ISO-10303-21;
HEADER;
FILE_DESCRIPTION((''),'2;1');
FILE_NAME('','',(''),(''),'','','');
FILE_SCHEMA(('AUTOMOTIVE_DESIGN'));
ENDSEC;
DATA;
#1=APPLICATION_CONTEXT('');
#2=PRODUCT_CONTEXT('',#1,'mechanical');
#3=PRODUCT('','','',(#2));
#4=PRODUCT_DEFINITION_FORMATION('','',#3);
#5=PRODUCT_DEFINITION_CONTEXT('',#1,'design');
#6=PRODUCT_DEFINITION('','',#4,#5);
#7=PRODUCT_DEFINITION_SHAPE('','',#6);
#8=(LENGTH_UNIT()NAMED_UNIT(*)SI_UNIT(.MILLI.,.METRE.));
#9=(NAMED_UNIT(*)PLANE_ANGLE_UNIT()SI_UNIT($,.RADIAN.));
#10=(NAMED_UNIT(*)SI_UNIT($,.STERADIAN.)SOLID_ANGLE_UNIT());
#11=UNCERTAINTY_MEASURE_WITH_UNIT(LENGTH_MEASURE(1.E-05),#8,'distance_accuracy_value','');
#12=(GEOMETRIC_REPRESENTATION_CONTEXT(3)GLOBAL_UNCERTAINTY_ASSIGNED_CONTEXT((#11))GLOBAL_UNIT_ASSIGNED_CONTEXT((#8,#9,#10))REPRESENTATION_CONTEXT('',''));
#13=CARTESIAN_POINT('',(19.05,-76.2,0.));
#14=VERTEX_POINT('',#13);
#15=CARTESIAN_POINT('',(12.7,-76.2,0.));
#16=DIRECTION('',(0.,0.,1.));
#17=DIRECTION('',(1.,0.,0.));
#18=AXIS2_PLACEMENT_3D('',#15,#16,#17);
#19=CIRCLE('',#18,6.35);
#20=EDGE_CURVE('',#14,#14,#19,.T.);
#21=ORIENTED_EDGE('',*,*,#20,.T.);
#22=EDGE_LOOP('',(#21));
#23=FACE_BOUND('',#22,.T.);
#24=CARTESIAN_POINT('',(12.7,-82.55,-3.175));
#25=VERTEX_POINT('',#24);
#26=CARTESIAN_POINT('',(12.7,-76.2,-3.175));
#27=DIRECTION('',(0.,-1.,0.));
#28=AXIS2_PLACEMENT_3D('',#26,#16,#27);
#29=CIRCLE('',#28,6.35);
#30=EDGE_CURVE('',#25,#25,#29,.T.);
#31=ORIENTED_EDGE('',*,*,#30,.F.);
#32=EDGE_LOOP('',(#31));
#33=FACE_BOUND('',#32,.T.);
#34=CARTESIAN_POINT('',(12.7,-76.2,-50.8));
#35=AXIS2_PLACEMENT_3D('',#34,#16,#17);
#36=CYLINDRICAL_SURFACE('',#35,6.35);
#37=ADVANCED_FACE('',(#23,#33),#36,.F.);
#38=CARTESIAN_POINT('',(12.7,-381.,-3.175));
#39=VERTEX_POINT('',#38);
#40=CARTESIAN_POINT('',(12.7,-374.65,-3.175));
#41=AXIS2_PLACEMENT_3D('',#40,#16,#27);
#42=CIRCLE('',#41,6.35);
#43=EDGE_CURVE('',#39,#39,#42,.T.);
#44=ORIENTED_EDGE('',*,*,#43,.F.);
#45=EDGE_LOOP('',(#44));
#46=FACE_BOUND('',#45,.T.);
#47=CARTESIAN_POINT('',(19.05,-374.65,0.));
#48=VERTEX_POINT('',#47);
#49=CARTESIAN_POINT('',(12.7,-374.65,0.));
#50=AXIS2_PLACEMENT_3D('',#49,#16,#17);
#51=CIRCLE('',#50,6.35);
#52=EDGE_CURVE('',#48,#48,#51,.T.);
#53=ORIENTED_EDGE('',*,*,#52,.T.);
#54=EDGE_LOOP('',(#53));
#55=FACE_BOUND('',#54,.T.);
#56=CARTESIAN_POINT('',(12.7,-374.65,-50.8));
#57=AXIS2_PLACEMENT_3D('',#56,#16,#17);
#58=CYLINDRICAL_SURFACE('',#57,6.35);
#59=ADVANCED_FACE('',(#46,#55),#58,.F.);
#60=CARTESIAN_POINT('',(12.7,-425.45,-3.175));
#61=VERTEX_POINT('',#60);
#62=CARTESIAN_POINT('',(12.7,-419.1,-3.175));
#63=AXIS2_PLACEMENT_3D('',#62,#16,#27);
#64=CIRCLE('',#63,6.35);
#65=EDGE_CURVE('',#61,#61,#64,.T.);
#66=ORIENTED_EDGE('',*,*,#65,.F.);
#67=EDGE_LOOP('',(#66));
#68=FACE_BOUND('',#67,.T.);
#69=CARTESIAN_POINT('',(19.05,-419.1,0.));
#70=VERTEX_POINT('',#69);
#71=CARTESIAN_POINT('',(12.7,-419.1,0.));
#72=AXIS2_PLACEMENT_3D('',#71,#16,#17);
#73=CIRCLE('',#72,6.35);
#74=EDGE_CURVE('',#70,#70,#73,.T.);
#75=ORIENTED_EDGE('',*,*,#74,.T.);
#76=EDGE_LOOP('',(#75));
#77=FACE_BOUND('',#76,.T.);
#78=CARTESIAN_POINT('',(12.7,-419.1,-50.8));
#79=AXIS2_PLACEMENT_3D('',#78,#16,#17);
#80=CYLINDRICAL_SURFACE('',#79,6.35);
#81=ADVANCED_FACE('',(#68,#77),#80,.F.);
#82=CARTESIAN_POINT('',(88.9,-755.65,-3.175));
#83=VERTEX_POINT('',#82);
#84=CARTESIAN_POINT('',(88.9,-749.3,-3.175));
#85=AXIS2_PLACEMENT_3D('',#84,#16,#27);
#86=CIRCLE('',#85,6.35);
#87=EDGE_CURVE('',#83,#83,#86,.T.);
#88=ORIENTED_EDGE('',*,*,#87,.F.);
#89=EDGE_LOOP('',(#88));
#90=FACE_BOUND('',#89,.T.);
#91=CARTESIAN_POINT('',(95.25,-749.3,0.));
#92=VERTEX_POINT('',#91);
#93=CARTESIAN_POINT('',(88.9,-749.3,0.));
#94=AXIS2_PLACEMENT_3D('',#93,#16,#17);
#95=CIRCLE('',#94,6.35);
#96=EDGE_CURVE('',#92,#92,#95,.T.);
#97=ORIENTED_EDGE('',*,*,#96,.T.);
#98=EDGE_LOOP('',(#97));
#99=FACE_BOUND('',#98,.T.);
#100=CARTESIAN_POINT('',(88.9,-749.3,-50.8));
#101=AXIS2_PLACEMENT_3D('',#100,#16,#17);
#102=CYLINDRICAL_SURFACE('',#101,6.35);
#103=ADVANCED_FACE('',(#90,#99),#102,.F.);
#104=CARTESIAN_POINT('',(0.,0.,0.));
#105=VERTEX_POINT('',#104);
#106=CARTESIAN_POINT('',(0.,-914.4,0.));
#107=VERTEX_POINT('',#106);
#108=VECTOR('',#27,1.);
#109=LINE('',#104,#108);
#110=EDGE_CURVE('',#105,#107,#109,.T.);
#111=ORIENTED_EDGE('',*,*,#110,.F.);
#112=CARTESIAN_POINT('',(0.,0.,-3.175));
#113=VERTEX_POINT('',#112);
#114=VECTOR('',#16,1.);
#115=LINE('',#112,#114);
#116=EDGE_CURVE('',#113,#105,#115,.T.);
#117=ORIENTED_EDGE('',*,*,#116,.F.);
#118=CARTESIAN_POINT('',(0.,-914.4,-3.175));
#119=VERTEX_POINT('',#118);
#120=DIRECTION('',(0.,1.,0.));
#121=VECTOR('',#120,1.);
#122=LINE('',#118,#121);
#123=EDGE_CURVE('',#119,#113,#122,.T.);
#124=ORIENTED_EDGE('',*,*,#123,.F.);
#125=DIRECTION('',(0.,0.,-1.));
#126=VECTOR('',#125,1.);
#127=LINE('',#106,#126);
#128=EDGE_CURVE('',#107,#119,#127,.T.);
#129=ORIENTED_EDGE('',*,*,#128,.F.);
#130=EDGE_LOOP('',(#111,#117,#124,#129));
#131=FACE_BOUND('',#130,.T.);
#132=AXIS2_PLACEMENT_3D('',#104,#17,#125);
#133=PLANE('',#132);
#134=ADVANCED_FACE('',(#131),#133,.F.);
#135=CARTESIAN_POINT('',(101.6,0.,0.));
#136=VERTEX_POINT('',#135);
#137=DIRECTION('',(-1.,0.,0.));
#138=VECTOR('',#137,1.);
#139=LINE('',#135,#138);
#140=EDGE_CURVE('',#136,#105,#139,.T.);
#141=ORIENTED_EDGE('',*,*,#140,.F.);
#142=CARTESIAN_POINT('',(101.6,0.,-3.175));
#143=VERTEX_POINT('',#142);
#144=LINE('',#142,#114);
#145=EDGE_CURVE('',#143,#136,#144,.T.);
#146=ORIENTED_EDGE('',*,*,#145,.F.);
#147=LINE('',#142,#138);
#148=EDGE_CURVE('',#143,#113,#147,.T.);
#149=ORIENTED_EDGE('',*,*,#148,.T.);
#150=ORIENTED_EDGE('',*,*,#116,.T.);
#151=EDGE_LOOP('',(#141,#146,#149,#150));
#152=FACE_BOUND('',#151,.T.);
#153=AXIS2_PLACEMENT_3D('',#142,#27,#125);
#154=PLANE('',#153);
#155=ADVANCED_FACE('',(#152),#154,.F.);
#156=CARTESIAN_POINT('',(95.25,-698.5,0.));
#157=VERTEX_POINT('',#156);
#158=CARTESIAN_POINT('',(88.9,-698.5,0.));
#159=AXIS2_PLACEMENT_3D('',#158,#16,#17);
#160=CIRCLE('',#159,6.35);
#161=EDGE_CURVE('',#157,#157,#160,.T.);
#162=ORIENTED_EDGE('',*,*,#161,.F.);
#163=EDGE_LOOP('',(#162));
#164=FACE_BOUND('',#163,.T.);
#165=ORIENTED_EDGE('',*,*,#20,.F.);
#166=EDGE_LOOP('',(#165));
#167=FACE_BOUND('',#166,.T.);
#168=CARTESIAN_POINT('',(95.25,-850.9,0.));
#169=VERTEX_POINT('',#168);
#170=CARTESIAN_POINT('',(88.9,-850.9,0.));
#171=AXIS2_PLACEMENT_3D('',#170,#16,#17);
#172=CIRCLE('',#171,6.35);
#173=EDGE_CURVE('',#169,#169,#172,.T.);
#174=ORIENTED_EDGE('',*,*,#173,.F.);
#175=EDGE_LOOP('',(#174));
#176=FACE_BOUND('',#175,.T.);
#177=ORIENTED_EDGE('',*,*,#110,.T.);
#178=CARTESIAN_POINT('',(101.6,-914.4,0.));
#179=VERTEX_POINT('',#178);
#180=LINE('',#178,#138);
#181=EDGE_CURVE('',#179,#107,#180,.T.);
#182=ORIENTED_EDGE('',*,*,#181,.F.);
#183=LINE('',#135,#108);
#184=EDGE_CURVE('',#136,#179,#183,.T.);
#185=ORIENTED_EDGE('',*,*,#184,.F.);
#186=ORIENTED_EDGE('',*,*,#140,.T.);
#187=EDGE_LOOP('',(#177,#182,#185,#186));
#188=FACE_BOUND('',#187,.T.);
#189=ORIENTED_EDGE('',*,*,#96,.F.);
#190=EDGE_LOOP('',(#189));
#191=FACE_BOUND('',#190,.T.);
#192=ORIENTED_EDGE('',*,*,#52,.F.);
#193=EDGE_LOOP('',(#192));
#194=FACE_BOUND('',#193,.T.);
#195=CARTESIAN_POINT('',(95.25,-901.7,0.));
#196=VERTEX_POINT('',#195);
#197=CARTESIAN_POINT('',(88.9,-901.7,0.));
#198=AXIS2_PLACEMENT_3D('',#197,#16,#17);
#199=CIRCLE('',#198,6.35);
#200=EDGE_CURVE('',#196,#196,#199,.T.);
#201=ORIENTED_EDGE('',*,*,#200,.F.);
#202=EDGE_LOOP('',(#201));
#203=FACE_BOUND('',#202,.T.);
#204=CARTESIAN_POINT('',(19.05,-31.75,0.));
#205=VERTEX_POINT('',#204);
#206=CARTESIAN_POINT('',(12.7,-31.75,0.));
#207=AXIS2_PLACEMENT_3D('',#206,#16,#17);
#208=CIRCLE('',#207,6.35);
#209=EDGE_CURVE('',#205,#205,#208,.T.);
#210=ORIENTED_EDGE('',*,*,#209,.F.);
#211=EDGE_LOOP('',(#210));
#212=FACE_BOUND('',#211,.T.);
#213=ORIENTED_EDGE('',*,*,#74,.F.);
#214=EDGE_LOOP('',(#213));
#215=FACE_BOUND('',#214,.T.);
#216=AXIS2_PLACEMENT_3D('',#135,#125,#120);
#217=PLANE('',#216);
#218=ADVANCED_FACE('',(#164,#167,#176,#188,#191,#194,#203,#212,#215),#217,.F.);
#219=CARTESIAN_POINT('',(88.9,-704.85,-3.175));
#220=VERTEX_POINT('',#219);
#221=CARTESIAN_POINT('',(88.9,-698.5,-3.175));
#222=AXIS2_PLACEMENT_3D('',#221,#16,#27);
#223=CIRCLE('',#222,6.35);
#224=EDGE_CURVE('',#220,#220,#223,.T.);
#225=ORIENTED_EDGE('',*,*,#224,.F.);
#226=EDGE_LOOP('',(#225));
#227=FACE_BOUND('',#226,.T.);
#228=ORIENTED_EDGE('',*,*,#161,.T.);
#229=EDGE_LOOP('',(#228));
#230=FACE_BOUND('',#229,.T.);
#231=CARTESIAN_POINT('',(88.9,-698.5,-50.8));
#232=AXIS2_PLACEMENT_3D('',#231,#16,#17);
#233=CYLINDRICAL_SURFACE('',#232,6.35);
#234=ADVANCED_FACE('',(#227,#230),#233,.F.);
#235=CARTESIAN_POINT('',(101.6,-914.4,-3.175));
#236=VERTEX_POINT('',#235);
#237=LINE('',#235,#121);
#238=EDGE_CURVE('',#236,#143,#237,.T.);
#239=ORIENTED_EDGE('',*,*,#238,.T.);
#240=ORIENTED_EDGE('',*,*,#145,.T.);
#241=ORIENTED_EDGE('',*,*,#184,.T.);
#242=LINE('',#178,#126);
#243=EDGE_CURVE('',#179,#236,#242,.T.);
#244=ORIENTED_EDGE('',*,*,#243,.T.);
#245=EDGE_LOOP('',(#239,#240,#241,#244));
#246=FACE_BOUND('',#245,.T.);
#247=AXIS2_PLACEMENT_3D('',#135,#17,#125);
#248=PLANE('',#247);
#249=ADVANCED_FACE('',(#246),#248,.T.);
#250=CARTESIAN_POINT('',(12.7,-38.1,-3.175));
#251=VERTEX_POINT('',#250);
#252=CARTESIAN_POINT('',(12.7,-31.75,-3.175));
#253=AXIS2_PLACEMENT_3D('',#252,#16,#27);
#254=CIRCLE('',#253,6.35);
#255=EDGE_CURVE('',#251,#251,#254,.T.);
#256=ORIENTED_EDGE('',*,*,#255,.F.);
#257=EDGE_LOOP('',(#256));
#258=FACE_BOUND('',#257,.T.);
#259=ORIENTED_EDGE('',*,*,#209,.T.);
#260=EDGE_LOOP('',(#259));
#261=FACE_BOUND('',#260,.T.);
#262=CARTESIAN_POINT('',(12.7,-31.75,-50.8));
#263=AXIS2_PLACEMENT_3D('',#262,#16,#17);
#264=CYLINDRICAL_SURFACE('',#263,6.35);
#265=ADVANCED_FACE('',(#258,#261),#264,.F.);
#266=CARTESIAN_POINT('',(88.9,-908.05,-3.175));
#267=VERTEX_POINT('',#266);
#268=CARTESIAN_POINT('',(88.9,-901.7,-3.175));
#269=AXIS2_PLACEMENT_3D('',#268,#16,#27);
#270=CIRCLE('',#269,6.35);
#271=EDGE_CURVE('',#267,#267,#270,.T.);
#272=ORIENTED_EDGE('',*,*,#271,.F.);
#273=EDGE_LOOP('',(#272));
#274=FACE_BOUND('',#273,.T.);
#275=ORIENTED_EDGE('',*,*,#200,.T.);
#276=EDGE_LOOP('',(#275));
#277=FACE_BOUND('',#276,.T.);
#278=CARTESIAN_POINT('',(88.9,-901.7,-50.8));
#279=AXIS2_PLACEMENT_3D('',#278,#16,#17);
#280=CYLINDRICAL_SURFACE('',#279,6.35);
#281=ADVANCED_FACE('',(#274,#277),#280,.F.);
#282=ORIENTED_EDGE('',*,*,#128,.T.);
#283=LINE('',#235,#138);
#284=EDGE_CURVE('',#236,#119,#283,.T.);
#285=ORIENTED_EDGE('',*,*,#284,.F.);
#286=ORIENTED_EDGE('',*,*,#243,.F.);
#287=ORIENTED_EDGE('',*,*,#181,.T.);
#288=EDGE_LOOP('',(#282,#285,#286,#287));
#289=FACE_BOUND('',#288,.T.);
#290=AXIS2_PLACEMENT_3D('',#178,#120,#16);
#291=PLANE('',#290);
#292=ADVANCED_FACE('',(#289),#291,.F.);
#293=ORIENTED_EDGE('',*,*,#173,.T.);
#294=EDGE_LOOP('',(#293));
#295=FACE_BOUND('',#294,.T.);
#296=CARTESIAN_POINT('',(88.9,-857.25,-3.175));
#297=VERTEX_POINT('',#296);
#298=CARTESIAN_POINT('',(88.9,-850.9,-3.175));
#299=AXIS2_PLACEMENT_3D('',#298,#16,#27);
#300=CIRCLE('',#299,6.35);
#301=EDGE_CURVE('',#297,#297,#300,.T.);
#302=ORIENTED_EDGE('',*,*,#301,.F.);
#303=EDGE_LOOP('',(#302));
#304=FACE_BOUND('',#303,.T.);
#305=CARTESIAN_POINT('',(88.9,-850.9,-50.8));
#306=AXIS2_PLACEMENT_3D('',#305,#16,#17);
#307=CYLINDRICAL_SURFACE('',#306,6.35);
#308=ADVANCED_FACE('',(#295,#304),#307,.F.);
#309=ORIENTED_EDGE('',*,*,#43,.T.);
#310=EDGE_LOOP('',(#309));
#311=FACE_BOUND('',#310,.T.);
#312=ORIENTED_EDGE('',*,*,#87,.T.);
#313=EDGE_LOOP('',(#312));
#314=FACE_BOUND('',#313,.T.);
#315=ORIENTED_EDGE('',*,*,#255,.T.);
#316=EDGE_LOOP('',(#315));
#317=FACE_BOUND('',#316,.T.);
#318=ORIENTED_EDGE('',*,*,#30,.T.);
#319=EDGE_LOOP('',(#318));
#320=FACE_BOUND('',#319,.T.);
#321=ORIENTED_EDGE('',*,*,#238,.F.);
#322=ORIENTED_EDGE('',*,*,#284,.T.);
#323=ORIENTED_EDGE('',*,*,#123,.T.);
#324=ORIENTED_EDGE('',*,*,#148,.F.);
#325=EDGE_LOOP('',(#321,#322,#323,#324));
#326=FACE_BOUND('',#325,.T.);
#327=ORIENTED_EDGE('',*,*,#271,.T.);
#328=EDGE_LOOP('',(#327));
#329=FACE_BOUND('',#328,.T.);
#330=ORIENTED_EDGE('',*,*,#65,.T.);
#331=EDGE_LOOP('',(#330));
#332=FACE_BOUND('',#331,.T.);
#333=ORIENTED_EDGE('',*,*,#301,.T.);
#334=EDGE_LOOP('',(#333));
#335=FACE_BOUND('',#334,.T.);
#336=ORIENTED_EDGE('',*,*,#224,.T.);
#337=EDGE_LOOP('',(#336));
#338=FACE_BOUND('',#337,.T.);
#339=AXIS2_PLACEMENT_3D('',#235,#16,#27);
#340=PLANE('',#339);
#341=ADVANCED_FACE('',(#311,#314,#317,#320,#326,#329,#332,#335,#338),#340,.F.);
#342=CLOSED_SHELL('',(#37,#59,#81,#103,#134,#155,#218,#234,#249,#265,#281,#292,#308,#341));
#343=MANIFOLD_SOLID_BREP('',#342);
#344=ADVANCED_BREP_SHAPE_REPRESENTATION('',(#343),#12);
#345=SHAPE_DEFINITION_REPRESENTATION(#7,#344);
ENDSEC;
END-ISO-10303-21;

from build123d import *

# Parameters (mm, degrees)
SKETCH1_W          = 3.175
SKETCH1_H          = 914.4
EXTRUDE1_DEPTH     = 101.6
SKETCH3_R          = 6.35
CUT_EXTRUDE2_DEPTH = 50.8
SKETCH4_R          = 6.35
CUT_EXTRUDE3_DEPTH = 50.8


with BuildPart() as part:
    # Sketch1 → Extrude1 (new body)
    with BuildSketch(Plane(origin=(0, 0, 0), x_dir=(0, 0, -1), z_dir=(1, 0, 0))):
        with Locations((1.5875, -457.2)):
            Rectangle(SKETCH1_W, SKETCH1_H)
    extrude(amount=EXTRUDE1_DEPTH)

    # Sketch3 → Cut-Extrude2 (cut)
    with BuildSketch(Plane.XY):
        with Locations((88.9, -901.7)):
            Circle(SKETCH3_R)
        with Locations((88.9, -850.9)):
            Circle(SKETCH3_R)
        with Locations((88.9, -749.3)):
            Circle(SKETCH3_R)
        with Locations((88.9, -698.5)):
            Circle(SKETCH3_R)
    extrude(amount=-CUT_EXTRUDE2_DEPTH, mode=Mode.SUBTRACT)

    # Sketch4 → Cut-Extrude3 (cut)
    with BuildSketch(Plane.XY):
        with Locations((12.7, -419.1)):
            Circle(SKETCH4_R)
        with Locations((12.7, -374.65)):
            Circle(SKETCH4_R)
        with Locations((12.7, -76.2)):
            Circle(SKETCH4_R)
        with Locations((12.7, -31.75)):
            Circle(SKETCH4_R)
    extrude(amount=-CUT_EXTRUDE3_DEPTH, mode=Mode.SUBTRACT)


solid = part.part
